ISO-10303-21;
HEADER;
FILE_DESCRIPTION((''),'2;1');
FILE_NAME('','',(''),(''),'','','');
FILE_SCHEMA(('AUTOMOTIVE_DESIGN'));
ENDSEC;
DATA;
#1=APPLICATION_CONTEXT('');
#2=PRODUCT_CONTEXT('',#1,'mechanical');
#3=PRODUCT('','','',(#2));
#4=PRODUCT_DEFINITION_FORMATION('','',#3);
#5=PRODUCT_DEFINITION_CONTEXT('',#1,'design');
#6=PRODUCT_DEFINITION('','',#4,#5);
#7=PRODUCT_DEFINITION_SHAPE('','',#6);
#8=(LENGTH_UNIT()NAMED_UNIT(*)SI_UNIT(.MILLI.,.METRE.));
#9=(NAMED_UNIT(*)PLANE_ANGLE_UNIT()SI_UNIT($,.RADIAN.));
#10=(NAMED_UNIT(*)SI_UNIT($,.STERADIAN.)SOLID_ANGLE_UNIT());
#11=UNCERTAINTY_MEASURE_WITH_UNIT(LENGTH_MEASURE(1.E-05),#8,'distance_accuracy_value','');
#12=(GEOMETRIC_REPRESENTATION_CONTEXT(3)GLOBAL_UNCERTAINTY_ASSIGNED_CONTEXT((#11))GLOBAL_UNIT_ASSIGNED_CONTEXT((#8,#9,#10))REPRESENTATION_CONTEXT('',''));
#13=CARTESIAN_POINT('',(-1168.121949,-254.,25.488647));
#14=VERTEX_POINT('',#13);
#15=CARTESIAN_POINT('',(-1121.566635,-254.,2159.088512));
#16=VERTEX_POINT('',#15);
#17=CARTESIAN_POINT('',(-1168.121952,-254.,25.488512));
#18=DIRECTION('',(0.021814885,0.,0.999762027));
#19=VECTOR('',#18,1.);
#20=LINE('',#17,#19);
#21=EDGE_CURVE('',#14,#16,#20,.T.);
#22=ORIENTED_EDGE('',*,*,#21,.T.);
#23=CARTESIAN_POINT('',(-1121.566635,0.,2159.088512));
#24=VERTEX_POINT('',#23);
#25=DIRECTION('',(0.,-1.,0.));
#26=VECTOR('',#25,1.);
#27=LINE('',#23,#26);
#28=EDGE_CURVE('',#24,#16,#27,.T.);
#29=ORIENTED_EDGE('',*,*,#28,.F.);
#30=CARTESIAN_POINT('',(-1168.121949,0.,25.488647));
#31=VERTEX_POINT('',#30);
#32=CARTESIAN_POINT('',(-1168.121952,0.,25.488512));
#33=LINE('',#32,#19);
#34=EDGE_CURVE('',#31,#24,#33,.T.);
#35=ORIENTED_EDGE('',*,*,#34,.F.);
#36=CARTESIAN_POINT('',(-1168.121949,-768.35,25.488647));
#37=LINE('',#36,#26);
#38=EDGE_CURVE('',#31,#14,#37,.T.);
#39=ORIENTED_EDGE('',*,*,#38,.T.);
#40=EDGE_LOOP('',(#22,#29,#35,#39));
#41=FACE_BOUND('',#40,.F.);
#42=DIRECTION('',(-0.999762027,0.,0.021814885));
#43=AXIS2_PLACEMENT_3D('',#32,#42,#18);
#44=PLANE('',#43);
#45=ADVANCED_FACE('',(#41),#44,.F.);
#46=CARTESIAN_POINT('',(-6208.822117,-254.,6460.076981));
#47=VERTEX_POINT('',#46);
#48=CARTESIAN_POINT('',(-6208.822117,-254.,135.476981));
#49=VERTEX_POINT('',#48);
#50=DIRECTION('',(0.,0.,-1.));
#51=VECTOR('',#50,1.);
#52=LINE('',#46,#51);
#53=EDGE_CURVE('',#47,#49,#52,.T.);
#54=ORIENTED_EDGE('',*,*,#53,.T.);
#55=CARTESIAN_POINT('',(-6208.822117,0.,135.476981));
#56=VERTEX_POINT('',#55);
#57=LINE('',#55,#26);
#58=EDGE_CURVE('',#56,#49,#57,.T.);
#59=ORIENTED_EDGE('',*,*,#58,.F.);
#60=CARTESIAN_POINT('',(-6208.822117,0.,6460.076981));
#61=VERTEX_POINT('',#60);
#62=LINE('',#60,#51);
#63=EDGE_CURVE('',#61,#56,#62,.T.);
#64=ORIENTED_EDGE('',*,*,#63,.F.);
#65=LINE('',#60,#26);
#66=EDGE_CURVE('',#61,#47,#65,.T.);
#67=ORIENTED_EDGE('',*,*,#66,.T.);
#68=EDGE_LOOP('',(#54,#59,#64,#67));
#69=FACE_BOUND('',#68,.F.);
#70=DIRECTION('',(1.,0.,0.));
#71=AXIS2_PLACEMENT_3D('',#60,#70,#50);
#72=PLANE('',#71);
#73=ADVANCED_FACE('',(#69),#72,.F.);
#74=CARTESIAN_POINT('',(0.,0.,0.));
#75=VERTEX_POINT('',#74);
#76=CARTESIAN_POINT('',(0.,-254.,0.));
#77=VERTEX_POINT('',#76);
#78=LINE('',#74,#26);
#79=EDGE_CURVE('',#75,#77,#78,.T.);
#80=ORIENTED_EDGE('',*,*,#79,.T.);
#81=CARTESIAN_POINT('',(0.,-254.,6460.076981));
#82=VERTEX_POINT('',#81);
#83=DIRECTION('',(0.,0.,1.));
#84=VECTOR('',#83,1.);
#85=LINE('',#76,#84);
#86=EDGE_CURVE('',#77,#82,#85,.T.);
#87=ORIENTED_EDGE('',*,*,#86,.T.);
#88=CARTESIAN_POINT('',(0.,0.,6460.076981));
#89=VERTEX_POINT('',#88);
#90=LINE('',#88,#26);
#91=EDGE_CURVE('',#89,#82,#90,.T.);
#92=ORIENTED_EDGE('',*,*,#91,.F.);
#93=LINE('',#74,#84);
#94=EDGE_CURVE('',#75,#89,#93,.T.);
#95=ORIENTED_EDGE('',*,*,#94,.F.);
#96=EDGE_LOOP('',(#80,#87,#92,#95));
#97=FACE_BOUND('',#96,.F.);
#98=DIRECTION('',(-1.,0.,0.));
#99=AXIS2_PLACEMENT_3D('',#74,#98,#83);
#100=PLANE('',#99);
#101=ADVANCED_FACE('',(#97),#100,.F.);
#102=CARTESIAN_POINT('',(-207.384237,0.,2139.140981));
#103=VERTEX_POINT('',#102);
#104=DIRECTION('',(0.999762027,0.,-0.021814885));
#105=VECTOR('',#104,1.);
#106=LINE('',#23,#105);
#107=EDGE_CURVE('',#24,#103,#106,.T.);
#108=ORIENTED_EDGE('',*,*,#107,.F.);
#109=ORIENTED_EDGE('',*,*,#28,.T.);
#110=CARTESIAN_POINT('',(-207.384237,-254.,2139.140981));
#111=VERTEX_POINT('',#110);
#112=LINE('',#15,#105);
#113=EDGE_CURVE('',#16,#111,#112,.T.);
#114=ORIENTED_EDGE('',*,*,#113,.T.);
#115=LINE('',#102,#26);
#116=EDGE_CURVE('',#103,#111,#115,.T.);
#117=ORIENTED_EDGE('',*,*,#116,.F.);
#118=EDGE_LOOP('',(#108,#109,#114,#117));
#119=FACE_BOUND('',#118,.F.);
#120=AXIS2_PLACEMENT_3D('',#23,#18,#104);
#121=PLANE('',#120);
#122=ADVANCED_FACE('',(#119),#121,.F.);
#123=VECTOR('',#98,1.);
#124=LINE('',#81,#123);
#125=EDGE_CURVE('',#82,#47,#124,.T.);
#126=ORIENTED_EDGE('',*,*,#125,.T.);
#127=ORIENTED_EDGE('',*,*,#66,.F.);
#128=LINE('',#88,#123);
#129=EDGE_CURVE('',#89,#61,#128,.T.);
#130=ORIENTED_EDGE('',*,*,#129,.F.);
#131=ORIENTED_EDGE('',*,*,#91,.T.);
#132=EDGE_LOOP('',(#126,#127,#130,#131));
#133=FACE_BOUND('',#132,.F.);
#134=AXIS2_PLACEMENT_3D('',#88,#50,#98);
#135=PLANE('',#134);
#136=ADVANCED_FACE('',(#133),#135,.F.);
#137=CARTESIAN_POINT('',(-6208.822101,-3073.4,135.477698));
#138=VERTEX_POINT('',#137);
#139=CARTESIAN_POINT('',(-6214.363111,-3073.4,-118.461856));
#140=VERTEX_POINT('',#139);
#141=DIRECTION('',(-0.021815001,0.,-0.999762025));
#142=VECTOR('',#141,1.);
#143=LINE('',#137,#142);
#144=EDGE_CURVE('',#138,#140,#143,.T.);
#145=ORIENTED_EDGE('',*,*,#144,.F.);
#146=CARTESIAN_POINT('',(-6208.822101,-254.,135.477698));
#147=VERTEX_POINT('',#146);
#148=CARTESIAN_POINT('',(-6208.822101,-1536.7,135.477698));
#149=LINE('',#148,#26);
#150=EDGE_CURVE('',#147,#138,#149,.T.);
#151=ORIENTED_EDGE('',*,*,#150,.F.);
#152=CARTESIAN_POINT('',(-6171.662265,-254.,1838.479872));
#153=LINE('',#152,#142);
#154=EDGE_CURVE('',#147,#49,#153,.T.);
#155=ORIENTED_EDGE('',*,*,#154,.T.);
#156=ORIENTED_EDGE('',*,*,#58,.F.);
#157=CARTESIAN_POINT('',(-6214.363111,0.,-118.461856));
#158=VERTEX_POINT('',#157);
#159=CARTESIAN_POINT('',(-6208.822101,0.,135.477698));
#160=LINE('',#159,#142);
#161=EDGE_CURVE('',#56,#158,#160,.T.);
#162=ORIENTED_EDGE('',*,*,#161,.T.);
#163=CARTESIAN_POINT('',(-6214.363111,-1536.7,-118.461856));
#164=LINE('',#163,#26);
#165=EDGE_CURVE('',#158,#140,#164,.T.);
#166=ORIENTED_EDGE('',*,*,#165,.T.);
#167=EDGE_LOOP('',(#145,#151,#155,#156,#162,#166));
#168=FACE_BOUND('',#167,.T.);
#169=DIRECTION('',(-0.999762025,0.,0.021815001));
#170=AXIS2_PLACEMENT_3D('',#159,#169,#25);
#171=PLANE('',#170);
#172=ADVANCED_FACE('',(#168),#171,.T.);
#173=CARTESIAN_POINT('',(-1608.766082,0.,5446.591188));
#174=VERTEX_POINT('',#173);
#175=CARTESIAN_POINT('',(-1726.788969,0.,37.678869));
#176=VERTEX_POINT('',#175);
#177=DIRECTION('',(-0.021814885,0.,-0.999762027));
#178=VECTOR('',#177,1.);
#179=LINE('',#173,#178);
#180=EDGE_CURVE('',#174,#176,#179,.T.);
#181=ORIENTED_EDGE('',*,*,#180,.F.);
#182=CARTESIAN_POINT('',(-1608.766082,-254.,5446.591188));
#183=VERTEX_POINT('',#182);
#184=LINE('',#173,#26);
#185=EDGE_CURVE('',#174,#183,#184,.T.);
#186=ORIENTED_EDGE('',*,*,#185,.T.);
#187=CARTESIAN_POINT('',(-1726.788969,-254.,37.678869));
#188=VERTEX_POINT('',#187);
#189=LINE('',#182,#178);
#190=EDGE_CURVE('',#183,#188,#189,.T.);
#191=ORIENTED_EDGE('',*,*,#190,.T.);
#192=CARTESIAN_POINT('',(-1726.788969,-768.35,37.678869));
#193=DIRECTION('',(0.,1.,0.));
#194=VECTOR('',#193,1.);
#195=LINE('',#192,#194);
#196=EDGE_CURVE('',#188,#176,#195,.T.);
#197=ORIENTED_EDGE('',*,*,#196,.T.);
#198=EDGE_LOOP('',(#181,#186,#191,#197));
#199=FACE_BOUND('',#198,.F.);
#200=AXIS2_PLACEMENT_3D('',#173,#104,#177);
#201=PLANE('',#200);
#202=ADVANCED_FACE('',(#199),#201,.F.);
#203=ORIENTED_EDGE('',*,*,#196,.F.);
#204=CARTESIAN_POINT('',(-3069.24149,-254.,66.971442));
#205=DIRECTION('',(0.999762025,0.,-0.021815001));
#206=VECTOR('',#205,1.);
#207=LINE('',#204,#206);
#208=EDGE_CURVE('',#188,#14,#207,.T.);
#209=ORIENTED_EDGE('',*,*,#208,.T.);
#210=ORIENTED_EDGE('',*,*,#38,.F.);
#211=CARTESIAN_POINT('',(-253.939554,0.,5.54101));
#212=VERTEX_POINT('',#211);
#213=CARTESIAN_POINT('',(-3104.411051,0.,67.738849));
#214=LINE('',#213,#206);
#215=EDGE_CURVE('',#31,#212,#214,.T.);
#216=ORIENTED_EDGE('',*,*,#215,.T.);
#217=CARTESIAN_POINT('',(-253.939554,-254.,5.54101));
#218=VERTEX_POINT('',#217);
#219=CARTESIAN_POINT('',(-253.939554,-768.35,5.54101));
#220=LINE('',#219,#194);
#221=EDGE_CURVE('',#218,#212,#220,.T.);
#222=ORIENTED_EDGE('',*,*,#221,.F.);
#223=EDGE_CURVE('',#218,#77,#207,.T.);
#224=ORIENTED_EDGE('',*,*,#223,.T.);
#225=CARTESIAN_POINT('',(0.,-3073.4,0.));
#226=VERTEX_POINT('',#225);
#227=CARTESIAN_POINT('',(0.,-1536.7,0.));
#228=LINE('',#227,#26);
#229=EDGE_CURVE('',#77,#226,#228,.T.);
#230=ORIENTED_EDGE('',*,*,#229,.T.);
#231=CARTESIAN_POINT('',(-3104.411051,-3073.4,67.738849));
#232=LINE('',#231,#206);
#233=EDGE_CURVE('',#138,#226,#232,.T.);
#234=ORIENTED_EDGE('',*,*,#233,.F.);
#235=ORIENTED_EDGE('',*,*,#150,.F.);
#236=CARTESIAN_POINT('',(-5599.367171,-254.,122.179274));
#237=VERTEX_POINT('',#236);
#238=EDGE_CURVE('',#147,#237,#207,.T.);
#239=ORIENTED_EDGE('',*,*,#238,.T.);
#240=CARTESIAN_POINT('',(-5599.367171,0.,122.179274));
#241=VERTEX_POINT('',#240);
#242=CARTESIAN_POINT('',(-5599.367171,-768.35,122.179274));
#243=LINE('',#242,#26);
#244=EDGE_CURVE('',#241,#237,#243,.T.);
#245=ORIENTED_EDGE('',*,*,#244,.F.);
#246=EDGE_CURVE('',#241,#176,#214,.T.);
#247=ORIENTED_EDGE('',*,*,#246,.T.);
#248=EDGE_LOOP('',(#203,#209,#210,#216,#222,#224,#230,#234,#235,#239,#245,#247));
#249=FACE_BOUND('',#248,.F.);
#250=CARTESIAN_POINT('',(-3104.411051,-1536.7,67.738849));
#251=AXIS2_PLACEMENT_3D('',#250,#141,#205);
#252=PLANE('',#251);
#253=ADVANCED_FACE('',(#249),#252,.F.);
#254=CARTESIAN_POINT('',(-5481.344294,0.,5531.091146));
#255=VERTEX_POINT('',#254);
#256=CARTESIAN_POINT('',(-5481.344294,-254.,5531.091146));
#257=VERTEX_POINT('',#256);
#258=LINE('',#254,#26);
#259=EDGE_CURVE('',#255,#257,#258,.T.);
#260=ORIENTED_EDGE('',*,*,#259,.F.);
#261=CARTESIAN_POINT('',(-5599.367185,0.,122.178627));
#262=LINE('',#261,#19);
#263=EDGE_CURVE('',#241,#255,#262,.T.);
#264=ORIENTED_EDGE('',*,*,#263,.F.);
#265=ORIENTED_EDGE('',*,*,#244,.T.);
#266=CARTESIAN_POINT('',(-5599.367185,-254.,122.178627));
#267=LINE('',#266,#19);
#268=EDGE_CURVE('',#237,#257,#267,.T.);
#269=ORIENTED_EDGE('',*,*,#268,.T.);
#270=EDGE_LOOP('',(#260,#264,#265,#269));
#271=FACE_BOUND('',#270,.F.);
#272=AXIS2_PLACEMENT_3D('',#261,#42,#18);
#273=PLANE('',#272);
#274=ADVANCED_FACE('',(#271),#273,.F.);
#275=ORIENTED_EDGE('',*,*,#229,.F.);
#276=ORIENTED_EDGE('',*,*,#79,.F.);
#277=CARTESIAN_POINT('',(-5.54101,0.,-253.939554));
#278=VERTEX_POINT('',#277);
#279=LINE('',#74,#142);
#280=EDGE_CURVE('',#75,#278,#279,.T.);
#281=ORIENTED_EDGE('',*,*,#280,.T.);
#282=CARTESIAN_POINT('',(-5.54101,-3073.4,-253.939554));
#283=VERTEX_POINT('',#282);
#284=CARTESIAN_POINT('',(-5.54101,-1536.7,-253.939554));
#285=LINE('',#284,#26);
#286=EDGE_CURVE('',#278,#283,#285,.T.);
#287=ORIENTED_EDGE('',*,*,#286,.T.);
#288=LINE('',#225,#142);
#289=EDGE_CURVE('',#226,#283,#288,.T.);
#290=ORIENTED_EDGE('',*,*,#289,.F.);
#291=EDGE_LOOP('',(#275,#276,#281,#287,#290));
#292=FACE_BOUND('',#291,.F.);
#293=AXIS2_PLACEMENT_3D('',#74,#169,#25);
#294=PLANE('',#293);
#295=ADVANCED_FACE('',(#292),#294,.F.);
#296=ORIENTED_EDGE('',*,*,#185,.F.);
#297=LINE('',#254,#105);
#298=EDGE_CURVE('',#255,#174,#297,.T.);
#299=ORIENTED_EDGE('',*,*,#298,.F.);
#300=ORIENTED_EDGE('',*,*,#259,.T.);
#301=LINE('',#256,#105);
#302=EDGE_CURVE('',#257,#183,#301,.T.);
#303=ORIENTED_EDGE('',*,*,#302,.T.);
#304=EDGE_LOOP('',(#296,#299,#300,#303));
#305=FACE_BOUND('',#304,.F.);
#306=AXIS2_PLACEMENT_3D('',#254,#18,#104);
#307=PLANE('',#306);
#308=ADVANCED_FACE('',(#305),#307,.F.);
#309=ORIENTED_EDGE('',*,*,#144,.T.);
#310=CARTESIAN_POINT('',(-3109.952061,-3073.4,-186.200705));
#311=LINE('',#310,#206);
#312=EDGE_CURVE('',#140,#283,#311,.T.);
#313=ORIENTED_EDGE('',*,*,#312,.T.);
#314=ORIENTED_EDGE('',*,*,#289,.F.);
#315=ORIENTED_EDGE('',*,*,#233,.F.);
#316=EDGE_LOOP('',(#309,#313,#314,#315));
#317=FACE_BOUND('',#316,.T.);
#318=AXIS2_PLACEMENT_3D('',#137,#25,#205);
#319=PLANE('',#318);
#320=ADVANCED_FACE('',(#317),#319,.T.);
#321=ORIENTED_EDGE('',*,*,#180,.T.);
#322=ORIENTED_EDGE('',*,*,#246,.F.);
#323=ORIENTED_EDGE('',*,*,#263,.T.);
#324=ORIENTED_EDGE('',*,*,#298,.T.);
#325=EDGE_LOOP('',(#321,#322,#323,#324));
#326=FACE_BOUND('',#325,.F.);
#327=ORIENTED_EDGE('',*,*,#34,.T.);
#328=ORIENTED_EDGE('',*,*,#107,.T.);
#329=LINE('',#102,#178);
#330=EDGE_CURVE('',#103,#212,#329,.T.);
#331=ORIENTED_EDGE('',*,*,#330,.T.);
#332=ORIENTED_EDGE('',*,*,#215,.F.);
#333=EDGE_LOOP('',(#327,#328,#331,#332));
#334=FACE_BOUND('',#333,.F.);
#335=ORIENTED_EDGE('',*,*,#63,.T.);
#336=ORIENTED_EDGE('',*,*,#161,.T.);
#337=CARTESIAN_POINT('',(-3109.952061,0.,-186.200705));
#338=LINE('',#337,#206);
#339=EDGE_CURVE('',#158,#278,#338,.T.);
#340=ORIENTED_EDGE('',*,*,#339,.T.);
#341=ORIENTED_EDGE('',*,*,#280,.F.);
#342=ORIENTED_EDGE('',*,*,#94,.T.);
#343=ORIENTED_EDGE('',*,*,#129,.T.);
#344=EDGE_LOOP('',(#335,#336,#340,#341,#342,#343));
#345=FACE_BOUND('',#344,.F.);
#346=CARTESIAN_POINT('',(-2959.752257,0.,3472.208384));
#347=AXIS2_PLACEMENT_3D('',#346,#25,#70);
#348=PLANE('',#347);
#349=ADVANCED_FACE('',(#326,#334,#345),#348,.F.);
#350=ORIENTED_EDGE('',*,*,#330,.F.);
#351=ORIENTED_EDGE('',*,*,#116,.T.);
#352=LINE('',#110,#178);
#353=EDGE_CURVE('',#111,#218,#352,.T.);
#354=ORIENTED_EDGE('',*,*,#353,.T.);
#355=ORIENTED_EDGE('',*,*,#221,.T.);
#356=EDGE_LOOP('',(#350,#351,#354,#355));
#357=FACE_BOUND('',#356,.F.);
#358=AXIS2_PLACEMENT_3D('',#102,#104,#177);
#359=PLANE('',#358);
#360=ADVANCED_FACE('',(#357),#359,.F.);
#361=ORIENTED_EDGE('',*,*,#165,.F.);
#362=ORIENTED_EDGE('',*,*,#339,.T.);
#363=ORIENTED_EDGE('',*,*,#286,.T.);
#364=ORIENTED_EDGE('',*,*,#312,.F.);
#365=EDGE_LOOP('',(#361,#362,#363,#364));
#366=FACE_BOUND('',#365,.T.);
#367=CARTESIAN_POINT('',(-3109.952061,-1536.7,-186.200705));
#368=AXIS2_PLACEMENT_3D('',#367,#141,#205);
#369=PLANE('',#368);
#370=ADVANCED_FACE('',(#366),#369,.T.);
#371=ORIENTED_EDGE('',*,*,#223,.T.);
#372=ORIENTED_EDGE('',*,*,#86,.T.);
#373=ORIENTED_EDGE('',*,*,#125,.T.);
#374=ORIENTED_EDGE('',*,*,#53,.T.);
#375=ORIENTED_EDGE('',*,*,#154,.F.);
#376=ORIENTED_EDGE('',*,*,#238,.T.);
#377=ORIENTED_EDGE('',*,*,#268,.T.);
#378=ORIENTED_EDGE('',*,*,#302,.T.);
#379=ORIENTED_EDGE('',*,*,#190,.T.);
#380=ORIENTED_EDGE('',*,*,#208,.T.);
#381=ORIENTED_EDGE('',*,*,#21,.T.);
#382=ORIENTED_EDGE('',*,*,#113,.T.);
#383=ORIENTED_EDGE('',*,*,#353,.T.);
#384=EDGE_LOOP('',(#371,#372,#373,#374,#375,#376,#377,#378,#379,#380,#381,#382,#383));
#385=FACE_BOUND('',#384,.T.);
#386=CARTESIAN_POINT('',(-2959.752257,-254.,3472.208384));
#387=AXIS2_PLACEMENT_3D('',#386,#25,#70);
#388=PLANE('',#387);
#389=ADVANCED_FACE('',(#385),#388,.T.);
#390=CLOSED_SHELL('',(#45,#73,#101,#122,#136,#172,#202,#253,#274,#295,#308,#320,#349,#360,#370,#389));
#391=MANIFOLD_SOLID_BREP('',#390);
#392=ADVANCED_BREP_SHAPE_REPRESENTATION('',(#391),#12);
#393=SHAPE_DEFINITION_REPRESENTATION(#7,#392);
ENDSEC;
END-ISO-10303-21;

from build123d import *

# Parameters (mm, degrees)
F1_DEPTH = 254
F2_W     = 6210.3
F2_H     = 3073.4
F3_DEPTH = 254


with BuildPart() as f1:
    # F0 (on Front) → F1 (new body)
    with BuildSketch(Plane.XZ):
        Polygon((-5599.367185, 122.178627), (-5481.344294, 5531.091146), (-1608.766082, 5446.591188), (-1726.788973, 37.678669), (-1168.121952, 25.488512), (-1121.566635, 2159.088512), (-207.384237, 2139.140981), (-253.939555, 5.540981), (0, 0), (0, 6460.076981), (-6208.822117, 6460.076981), (-6208.822117, 135.476981), align=None)
    extrude(amount=F1_DEPTH)

    # F2 (on face) → F3 (join)
    with BuildSketch(Plane(origin=(0, 0, 0), x_dir=(0.999762, 0, -0.021815), z_dir=(-0.021815, 0, -0.999762))):
        with Locations((-3105.15, 1536.7)):
            Rectangle(F2_W, F2_H)
    extrude(amount=F3_DEPTH)


solid = f1.part
